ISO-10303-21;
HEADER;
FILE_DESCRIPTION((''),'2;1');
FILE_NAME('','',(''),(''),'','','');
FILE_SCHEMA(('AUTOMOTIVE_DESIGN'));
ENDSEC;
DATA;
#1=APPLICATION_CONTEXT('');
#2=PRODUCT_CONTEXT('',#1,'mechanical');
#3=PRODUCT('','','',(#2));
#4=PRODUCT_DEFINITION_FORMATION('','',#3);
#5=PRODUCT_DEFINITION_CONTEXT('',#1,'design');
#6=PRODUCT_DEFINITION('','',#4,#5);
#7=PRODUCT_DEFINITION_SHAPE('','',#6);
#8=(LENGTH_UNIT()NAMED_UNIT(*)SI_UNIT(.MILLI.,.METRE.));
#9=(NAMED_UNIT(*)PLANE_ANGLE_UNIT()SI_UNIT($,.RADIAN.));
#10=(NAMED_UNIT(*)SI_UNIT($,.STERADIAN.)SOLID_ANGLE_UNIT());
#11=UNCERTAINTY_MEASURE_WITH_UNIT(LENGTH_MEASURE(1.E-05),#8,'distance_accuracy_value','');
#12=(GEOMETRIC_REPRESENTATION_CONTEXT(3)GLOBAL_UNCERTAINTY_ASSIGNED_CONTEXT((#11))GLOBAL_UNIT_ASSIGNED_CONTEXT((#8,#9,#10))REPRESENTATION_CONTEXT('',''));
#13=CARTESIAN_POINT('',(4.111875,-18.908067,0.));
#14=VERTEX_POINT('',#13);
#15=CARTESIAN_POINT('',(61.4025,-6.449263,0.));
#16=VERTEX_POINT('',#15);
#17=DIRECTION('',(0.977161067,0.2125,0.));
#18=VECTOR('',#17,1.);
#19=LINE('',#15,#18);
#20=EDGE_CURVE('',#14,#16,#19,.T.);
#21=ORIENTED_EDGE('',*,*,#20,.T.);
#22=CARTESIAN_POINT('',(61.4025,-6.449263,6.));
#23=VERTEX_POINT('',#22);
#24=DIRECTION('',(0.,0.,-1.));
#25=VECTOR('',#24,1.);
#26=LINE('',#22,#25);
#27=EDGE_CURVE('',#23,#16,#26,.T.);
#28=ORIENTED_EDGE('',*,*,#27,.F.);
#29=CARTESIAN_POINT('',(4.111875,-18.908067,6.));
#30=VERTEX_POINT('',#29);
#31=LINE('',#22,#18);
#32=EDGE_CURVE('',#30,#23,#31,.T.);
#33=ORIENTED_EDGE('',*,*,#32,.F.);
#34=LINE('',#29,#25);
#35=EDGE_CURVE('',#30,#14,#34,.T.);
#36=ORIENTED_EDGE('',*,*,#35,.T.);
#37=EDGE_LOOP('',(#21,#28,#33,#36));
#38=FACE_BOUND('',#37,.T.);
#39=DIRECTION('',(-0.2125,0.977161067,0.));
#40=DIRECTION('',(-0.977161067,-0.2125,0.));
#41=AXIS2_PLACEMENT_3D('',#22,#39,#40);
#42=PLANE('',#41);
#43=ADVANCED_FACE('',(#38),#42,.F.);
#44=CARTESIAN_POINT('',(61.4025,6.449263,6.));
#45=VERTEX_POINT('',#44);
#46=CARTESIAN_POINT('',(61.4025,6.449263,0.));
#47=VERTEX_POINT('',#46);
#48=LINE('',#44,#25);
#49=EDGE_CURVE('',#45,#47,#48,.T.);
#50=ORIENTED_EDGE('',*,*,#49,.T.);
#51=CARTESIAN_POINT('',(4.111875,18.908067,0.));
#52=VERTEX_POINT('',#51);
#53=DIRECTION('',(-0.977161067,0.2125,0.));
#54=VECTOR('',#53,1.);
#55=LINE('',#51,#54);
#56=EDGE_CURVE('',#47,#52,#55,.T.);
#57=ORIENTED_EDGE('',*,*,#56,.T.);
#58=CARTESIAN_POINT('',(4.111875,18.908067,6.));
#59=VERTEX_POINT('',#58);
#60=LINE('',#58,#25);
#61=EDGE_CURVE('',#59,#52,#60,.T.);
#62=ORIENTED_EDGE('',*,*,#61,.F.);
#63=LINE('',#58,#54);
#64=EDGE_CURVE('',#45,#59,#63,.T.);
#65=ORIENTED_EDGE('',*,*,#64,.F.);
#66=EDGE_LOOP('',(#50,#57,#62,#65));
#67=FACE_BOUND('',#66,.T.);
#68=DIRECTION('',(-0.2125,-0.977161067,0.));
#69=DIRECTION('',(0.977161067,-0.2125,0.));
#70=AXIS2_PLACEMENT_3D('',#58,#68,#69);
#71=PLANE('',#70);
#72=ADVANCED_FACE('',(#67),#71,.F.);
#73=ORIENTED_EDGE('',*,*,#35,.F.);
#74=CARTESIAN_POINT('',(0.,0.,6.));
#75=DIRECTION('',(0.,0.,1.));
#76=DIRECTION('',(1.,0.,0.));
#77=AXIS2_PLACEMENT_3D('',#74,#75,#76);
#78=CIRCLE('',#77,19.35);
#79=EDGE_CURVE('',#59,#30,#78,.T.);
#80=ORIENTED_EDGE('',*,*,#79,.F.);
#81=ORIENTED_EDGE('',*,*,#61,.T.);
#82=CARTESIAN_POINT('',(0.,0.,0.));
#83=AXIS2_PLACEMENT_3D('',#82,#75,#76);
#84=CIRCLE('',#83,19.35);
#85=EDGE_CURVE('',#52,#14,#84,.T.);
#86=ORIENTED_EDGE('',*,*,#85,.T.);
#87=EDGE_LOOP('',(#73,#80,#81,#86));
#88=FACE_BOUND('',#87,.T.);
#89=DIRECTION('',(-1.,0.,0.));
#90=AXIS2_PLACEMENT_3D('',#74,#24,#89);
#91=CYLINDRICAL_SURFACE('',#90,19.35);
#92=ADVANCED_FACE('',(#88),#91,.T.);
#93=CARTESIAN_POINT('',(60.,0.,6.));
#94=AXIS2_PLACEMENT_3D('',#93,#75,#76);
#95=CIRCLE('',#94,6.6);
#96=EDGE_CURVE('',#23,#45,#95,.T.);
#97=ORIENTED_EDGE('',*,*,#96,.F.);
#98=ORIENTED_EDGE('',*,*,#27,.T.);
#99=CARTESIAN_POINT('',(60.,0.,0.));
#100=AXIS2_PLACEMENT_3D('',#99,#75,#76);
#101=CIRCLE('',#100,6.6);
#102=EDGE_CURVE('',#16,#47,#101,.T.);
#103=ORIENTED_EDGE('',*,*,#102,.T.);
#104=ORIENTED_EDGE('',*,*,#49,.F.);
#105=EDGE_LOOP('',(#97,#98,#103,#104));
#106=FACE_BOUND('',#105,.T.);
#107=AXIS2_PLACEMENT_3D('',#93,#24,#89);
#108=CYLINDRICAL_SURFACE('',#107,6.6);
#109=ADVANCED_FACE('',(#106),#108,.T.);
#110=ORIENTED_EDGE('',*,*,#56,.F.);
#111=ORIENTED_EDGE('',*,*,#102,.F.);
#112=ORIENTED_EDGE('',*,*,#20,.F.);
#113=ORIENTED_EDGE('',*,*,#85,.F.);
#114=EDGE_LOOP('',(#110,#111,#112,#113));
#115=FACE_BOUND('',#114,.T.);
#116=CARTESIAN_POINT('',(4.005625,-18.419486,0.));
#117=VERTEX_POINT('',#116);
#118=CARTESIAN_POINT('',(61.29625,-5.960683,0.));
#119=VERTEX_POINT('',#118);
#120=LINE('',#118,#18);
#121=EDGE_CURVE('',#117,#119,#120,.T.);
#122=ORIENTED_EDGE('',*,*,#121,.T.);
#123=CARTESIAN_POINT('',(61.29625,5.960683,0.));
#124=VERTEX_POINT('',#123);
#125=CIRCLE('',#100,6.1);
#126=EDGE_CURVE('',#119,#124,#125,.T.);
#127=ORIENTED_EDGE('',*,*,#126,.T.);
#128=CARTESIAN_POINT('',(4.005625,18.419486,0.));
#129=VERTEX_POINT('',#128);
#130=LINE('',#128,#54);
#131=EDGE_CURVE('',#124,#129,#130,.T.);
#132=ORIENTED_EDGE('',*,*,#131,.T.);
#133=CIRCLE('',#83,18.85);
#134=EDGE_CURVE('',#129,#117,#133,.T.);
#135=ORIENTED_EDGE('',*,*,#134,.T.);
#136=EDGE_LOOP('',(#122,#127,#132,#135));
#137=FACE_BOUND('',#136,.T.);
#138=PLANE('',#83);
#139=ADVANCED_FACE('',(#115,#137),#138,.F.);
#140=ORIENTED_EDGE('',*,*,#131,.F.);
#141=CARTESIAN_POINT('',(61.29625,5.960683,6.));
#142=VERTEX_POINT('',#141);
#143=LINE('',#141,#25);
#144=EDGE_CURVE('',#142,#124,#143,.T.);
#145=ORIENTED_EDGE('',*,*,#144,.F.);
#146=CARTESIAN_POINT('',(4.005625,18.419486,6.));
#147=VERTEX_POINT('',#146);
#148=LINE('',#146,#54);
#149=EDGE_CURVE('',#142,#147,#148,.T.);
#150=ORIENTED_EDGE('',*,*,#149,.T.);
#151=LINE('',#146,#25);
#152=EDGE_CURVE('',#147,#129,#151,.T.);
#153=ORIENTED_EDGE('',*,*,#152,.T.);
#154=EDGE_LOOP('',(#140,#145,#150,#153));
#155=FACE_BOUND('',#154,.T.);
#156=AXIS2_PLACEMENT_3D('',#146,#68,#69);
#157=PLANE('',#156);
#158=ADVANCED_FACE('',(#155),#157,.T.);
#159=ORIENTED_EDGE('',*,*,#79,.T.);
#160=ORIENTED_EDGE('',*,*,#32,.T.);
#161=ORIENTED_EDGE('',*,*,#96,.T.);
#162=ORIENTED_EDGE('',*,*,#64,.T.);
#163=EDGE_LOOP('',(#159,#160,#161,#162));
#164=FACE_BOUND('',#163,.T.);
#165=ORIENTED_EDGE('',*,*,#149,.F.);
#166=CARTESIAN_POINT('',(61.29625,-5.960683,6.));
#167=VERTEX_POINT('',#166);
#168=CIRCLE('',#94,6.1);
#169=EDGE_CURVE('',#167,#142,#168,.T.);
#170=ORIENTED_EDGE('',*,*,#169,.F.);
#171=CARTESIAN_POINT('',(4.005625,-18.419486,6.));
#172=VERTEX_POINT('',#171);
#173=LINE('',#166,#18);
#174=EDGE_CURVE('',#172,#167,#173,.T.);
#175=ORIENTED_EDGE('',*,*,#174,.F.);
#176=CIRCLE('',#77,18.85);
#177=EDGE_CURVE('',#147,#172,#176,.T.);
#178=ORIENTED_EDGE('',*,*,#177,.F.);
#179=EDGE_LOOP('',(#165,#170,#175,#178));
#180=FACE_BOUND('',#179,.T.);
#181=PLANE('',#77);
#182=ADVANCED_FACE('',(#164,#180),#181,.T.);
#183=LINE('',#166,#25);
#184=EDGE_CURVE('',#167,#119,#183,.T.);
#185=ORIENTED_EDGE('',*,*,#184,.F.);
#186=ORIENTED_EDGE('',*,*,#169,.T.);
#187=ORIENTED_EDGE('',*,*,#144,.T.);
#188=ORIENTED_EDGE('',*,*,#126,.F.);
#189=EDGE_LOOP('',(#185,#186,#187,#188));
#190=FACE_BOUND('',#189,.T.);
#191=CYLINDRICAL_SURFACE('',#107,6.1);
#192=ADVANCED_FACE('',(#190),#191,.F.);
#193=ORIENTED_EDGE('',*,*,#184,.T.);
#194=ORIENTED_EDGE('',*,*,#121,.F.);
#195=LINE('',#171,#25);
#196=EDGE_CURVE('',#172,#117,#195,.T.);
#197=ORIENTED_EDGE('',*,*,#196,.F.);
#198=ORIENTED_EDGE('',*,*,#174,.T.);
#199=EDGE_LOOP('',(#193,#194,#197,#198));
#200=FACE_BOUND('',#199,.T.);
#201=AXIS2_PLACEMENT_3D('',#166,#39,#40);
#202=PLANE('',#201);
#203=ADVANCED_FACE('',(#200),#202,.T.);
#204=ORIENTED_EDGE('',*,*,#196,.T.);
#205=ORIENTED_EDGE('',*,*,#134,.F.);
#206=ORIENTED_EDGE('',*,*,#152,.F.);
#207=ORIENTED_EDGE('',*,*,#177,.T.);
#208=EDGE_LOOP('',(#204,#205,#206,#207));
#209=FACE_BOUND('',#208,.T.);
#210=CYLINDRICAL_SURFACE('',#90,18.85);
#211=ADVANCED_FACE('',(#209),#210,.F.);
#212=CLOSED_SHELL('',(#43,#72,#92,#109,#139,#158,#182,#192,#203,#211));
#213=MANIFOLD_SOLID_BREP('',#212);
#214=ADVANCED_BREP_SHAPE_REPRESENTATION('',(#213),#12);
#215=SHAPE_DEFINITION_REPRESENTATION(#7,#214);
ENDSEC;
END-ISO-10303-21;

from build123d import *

# Parameters (mm, degrees)
SALIENTE_EXTRUIR1_DEPTH = 6


with BuildPart() as part:
    # Croquis1 → Saliente-Extruir1 (new body)
    with BuildSketch(Plane.XY):
        with BuildLine():
            Line((61.4025, -6.449263039), (4.111875, -18.908066638))
            ThreePointArc((4.111875, -18.908066638), (-19.35, 0), (4.111875, 18.908066638))
            Line((4.111875, 18.908066638), (61.4025, 6.449263039))
            ThreePointArc((61.4025, 6.449263039), (66.6, 0), (61.4025, -6.449263039))
        make_face()
        with BuildLine():
            Line((4.005625, 18.419486105), (61.29625, 5.960682506))
            ThreePointArc((61.29625, 5.960682506), (66.1, 0), (61.29625, -5.960682506))
            Line((61.29625, -5.960682506), (4.005625, -18.419486105))
            ThreePointArc((4.005625, -18.419486105), (-18.85, 0), (4.005625, 18.419486105))
        make_face(mode=Mode.SUBTRACT)
    extrude(amount=SALIENTE_EXTRUIR1_DEPTH)


solid = part.part
